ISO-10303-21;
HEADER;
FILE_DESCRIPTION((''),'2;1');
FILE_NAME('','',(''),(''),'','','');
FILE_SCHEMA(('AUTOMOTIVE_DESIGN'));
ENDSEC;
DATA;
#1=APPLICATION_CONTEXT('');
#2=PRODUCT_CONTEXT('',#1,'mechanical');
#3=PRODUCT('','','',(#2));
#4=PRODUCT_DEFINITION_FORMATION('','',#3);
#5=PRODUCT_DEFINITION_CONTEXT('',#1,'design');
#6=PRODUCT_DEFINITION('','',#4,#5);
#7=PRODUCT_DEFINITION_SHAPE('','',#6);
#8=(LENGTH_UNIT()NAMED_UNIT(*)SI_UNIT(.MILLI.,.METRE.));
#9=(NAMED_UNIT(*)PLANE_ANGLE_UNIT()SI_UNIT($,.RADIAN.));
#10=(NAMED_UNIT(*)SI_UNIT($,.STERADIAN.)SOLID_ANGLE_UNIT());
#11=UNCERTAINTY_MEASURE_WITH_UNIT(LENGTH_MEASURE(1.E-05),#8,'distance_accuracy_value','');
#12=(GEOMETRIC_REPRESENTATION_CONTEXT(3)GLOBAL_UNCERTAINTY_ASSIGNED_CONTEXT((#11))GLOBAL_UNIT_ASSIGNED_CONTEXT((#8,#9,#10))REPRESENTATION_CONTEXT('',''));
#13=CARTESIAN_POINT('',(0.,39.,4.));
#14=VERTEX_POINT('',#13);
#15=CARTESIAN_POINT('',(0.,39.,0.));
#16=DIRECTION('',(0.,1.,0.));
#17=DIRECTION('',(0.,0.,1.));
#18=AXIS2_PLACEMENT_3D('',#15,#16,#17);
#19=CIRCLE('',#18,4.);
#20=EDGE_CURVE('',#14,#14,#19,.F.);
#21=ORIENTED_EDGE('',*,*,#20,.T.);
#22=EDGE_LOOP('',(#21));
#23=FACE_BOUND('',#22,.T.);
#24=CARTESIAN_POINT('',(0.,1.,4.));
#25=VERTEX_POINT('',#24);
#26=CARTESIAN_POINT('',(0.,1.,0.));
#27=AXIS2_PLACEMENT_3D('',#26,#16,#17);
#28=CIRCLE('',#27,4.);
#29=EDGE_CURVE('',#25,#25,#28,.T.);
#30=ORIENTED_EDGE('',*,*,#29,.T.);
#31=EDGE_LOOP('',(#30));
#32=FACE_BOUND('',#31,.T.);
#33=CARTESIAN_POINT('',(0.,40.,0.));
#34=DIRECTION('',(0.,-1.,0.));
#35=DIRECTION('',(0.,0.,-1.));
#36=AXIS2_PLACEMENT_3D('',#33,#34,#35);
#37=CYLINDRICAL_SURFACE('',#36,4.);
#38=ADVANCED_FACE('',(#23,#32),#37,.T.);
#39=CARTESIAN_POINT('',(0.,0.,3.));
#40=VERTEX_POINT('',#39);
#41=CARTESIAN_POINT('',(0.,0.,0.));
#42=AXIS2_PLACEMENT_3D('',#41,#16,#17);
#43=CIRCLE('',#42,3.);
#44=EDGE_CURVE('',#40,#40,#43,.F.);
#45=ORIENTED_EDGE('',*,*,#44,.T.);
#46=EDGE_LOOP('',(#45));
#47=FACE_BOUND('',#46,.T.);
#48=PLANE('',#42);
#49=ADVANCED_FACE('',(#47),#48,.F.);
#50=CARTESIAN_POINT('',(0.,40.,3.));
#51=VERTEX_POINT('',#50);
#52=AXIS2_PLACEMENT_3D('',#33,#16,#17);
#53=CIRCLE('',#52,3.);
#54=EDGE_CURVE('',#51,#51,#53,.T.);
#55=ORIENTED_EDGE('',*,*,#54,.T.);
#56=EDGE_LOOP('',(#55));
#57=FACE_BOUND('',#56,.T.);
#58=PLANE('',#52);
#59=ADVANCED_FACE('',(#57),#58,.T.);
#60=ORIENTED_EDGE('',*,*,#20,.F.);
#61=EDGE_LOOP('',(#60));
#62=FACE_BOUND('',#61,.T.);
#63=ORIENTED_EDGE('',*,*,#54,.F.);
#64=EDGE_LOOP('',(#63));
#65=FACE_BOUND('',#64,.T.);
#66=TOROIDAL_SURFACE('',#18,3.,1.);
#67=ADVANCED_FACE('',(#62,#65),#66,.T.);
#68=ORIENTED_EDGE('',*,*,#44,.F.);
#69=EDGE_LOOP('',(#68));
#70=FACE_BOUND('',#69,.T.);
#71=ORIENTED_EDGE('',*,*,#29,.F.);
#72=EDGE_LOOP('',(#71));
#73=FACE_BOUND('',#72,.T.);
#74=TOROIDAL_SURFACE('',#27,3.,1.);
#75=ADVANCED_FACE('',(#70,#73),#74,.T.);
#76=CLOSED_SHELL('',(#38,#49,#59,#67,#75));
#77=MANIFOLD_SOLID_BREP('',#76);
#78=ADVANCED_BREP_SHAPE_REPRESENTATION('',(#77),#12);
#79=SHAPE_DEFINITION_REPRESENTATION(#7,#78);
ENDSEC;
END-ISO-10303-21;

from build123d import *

# Parameters (mm, degrees)
SKETCH1_R           = 4
BOSS_EXTRUDE1_DEPTH = 40
FILLET1_R           = 1


with BuildPart() as part:
    # Sketch1 → Boss-Extrude1 (new body)
    with BuildSketch(Plane(origin=(0, 0, 0), x_dir=(1, 0, 0), z_dir=(0, 1, 0))):
        Circle(SKETCH1_R)
    extrude(amount=BOSS_EXTRUDE1_DEPTH)

    # Fillet1
    fillet1_edges = [part.edges().sort_by_distance(p)[0] for p in [
        (-4, 0, 0),
        (-4, 40, 0),
    ]]
    fillet(fillet1_edges, radius=FILLET1_R)


solid = part.part
